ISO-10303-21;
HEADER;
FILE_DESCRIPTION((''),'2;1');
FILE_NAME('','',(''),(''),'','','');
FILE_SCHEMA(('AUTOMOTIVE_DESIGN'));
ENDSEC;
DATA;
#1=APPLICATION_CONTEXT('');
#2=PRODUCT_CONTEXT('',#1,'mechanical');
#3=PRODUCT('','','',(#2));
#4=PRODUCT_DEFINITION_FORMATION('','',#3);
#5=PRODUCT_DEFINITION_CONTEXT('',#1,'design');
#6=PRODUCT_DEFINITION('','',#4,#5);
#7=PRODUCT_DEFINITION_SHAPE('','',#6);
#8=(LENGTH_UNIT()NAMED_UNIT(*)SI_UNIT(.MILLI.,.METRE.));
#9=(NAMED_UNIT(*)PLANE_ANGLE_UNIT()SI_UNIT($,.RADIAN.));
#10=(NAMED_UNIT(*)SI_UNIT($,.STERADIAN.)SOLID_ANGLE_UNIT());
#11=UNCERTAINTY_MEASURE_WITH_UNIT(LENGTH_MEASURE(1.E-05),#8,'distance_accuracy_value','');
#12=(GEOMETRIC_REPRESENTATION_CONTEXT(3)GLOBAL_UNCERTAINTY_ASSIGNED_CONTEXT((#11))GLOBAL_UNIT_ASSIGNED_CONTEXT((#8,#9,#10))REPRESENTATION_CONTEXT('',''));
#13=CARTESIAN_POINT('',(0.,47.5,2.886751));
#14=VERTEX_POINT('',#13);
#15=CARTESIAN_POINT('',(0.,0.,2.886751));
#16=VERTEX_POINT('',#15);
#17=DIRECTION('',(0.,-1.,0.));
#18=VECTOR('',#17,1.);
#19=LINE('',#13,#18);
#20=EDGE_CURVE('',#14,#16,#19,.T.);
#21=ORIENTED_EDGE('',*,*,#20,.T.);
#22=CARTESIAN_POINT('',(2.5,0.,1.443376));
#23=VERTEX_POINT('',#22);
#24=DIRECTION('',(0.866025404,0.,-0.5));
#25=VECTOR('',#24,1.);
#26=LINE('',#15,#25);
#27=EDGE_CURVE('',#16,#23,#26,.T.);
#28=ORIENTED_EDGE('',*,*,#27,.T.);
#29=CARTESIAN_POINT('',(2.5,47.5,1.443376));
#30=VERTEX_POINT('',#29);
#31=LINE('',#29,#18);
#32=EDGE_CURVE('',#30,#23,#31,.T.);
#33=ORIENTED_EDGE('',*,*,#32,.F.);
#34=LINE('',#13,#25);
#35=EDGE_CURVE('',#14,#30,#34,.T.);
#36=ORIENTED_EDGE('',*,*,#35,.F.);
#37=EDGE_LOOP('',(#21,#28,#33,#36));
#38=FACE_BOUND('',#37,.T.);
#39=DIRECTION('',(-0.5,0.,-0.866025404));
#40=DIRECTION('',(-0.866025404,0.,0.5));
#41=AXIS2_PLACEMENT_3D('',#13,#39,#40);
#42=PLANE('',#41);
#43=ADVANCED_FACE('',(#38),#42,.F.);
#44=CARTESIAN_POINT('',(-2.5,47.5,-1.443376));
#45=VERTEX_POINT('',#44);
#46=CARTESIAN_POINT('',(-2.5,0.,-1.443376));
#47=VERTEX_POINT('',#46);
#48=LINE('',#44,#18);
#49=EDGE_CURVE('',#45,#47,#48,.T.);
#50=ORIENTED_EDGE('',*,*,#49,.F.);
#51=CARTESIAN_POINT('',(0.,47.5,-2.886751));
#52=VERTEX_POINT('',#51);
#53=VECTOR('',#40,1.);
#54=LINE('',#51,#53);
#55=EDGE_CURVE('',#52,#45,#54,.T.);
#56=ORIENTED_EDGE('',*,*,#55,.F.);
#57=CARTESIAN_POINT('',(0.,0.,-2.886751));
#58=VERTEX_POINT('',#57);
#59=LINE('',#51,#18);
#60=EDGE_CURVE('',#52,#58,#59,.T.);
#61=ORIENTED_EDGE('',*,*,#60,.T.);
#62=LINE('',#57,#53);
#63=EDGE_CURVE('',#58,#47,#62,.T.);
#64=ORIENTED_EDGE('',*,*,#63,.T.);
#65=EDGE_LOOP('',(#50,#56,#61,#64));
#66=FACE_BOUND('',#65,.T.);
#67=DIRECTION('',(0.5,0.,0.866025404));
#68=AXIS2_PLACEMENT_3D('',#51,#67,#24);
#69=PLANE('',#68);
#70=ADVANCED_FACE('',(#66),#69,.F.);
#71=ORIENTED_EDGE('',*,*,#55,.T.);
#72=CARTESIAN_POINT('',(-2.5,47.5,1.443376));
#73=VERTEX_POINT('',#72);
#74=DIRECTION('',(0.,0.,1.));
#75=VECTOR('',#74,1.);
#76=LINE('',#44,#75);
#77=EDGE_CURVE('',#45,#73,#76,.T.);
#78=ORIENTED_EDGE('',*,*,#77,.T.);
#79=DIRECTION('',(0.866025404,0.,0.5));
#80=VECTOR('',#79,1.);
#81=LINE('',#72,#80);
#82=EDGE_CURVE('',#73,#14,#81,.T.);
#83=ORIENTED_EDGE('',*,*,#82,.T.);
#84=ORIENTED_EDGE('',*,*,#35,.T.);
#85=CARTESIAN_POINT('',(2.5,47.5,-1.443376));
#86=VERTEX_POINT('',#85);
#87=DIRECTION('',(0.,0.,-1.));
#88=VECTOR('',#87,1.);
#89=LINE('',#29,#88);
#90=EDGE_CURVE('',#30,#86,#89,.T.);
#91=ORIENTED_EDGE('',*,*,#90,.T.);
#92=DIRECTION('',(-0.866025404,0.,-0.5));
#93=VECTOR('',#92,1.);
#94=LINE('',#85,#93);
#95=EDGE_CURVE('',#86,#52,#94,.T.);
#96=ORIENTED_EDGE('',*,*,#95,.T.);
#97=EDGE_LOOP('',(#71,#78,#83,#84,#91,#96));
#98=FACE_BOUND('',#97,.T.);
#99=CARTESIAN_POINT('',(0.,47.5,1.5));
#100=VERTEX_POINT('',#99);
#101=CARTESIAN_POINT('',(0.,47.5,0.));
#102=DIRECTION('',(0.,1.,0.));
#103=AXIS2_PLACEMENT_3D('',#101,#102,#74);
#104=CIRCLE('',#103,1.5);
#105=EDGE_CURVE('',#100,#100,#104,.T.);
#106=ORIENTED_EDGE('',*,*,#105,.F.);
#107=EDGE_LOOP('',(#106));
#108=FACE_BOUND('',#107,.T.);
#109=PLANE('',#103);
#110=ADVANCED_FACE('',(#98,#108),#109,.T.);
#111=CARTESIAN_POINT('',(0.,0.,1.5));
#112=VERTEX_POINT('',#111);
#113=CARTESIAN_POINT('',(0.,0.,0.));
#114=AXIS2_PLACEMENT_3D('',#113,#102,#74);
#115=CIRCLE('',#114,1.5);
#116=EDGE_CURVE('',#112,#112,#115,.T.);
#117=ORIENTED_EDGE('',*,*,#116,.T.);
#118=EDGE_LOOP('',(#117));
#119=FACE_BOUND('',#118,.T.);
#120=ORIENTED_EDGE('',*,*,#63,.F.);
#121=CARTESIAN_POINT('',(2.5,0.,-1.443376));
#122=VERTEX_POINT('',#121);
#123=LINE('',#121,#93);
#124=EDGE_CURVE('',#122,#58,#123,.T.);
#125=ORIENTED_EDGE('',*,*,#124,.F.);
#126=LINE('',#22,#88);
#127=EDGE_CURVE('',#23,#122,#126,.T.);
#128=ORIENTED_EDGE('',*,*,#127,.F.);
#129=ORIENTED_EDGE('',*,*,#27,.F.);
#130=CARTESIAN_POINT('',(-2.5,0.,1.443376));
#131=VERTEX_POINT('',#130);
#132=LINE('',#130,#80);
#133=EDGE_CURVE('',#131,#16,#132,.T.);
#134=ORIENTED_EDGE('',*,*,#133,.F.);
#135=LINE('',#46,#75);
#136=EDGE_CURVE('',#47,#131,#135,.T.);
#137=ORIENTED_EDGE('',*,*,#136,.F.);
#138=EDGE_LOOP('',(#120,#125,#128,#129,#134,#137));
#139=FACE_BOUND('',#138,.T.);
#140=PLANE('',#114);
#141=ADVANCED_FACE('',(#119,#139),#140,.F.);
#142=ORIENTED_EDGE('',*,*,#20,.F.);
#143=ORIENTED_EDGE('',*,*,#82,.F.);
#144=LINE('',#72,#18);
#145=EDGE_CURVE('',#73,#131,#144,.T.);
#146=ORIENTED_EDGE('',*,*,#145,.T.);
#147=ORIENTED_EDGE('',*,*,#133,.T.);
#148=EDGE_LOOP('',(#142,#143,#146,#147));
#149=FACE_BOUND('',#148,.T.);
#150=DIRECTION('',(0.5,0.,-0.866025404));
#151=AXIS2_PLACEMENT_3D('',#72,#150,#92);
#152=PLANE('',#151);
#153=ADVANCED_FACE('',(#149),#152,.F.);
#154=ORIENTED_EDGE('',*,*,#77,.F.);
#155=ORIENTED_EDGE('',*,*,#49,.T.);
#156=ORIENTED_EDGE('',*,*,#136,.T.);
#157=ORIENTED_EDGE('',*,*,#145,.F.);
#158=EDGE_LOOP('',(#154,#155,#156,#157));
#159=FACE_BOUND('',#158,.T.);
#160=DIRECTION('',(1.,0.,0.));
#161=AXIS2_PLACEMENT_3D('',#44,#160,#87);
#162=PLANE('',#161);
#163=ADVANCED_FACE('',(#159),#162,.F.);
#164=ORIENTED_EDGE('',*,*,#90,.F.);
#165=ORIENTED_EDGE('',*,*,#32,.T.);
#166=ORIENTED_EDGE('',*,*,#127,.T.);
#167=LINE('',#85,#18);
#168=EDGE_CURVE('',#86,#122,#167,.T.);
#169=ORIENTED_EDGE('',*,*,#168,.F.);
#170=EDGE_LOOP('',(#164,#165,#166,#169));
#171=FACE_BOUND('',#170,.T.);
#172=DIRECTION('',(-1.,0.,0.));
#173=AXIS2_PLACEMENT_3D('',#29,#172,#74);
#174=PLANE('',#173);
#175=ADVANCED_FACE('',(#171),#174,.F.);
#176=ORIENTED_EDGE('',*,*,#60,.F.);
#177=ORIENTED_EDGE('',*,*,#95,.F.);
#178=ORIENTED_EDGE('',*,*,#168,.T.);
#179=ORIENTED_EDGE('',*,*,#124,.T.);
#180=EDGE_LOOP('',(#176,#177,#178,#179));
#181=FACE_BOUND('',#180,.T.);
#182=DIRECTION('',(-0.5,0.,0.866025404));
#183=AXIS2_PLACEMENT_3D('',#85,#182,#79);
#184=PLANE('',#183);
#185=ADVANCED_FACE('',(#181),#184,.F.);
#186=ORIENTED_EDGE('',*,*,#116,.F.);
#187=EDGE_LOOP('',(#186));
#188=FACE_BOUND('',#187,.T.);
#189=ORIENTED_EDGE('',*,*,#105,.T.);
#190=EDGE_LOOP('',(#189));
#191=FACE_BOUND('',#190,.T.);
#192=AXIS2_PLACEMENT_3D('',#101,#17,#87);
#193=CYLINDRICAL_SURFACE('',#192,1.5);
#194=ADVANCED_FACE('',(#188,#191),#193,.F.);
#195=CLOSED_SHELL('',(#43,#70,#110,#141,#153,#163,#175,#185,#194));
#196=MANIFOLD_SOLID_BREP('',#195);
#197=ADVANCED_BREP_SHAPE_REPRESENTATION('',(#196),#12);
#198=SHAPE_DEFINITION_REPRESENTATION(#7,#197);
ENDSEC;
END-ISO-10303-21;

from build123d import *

# Parameters (mm, degrees)
SKETCH_1_R      = 1.5
EXTRUDE_1_DEPTH = 47.5


with BuildPart() as part:
    # Эскиз1 → Бобышка-Вытянуть1 (new body)
    with BuildSketch(Plane(origin=(0, 0, 0), x_dir=(1, 0, 0), z_dir=(0, 1, 0))):
        Polygon((0, -2.886751346), (2.5, -1.443375673), (2.5, 1.443375673), (0, 2.886751346), (-2.5, 1.443375673), (-2.5, -1.443375673), align=None)
        Circle(SKETCH_1_R, mode=Mode.SUBTRACT)
    extrude(amount=EXTRUDE_1_DEPTH)


solid = part.part
